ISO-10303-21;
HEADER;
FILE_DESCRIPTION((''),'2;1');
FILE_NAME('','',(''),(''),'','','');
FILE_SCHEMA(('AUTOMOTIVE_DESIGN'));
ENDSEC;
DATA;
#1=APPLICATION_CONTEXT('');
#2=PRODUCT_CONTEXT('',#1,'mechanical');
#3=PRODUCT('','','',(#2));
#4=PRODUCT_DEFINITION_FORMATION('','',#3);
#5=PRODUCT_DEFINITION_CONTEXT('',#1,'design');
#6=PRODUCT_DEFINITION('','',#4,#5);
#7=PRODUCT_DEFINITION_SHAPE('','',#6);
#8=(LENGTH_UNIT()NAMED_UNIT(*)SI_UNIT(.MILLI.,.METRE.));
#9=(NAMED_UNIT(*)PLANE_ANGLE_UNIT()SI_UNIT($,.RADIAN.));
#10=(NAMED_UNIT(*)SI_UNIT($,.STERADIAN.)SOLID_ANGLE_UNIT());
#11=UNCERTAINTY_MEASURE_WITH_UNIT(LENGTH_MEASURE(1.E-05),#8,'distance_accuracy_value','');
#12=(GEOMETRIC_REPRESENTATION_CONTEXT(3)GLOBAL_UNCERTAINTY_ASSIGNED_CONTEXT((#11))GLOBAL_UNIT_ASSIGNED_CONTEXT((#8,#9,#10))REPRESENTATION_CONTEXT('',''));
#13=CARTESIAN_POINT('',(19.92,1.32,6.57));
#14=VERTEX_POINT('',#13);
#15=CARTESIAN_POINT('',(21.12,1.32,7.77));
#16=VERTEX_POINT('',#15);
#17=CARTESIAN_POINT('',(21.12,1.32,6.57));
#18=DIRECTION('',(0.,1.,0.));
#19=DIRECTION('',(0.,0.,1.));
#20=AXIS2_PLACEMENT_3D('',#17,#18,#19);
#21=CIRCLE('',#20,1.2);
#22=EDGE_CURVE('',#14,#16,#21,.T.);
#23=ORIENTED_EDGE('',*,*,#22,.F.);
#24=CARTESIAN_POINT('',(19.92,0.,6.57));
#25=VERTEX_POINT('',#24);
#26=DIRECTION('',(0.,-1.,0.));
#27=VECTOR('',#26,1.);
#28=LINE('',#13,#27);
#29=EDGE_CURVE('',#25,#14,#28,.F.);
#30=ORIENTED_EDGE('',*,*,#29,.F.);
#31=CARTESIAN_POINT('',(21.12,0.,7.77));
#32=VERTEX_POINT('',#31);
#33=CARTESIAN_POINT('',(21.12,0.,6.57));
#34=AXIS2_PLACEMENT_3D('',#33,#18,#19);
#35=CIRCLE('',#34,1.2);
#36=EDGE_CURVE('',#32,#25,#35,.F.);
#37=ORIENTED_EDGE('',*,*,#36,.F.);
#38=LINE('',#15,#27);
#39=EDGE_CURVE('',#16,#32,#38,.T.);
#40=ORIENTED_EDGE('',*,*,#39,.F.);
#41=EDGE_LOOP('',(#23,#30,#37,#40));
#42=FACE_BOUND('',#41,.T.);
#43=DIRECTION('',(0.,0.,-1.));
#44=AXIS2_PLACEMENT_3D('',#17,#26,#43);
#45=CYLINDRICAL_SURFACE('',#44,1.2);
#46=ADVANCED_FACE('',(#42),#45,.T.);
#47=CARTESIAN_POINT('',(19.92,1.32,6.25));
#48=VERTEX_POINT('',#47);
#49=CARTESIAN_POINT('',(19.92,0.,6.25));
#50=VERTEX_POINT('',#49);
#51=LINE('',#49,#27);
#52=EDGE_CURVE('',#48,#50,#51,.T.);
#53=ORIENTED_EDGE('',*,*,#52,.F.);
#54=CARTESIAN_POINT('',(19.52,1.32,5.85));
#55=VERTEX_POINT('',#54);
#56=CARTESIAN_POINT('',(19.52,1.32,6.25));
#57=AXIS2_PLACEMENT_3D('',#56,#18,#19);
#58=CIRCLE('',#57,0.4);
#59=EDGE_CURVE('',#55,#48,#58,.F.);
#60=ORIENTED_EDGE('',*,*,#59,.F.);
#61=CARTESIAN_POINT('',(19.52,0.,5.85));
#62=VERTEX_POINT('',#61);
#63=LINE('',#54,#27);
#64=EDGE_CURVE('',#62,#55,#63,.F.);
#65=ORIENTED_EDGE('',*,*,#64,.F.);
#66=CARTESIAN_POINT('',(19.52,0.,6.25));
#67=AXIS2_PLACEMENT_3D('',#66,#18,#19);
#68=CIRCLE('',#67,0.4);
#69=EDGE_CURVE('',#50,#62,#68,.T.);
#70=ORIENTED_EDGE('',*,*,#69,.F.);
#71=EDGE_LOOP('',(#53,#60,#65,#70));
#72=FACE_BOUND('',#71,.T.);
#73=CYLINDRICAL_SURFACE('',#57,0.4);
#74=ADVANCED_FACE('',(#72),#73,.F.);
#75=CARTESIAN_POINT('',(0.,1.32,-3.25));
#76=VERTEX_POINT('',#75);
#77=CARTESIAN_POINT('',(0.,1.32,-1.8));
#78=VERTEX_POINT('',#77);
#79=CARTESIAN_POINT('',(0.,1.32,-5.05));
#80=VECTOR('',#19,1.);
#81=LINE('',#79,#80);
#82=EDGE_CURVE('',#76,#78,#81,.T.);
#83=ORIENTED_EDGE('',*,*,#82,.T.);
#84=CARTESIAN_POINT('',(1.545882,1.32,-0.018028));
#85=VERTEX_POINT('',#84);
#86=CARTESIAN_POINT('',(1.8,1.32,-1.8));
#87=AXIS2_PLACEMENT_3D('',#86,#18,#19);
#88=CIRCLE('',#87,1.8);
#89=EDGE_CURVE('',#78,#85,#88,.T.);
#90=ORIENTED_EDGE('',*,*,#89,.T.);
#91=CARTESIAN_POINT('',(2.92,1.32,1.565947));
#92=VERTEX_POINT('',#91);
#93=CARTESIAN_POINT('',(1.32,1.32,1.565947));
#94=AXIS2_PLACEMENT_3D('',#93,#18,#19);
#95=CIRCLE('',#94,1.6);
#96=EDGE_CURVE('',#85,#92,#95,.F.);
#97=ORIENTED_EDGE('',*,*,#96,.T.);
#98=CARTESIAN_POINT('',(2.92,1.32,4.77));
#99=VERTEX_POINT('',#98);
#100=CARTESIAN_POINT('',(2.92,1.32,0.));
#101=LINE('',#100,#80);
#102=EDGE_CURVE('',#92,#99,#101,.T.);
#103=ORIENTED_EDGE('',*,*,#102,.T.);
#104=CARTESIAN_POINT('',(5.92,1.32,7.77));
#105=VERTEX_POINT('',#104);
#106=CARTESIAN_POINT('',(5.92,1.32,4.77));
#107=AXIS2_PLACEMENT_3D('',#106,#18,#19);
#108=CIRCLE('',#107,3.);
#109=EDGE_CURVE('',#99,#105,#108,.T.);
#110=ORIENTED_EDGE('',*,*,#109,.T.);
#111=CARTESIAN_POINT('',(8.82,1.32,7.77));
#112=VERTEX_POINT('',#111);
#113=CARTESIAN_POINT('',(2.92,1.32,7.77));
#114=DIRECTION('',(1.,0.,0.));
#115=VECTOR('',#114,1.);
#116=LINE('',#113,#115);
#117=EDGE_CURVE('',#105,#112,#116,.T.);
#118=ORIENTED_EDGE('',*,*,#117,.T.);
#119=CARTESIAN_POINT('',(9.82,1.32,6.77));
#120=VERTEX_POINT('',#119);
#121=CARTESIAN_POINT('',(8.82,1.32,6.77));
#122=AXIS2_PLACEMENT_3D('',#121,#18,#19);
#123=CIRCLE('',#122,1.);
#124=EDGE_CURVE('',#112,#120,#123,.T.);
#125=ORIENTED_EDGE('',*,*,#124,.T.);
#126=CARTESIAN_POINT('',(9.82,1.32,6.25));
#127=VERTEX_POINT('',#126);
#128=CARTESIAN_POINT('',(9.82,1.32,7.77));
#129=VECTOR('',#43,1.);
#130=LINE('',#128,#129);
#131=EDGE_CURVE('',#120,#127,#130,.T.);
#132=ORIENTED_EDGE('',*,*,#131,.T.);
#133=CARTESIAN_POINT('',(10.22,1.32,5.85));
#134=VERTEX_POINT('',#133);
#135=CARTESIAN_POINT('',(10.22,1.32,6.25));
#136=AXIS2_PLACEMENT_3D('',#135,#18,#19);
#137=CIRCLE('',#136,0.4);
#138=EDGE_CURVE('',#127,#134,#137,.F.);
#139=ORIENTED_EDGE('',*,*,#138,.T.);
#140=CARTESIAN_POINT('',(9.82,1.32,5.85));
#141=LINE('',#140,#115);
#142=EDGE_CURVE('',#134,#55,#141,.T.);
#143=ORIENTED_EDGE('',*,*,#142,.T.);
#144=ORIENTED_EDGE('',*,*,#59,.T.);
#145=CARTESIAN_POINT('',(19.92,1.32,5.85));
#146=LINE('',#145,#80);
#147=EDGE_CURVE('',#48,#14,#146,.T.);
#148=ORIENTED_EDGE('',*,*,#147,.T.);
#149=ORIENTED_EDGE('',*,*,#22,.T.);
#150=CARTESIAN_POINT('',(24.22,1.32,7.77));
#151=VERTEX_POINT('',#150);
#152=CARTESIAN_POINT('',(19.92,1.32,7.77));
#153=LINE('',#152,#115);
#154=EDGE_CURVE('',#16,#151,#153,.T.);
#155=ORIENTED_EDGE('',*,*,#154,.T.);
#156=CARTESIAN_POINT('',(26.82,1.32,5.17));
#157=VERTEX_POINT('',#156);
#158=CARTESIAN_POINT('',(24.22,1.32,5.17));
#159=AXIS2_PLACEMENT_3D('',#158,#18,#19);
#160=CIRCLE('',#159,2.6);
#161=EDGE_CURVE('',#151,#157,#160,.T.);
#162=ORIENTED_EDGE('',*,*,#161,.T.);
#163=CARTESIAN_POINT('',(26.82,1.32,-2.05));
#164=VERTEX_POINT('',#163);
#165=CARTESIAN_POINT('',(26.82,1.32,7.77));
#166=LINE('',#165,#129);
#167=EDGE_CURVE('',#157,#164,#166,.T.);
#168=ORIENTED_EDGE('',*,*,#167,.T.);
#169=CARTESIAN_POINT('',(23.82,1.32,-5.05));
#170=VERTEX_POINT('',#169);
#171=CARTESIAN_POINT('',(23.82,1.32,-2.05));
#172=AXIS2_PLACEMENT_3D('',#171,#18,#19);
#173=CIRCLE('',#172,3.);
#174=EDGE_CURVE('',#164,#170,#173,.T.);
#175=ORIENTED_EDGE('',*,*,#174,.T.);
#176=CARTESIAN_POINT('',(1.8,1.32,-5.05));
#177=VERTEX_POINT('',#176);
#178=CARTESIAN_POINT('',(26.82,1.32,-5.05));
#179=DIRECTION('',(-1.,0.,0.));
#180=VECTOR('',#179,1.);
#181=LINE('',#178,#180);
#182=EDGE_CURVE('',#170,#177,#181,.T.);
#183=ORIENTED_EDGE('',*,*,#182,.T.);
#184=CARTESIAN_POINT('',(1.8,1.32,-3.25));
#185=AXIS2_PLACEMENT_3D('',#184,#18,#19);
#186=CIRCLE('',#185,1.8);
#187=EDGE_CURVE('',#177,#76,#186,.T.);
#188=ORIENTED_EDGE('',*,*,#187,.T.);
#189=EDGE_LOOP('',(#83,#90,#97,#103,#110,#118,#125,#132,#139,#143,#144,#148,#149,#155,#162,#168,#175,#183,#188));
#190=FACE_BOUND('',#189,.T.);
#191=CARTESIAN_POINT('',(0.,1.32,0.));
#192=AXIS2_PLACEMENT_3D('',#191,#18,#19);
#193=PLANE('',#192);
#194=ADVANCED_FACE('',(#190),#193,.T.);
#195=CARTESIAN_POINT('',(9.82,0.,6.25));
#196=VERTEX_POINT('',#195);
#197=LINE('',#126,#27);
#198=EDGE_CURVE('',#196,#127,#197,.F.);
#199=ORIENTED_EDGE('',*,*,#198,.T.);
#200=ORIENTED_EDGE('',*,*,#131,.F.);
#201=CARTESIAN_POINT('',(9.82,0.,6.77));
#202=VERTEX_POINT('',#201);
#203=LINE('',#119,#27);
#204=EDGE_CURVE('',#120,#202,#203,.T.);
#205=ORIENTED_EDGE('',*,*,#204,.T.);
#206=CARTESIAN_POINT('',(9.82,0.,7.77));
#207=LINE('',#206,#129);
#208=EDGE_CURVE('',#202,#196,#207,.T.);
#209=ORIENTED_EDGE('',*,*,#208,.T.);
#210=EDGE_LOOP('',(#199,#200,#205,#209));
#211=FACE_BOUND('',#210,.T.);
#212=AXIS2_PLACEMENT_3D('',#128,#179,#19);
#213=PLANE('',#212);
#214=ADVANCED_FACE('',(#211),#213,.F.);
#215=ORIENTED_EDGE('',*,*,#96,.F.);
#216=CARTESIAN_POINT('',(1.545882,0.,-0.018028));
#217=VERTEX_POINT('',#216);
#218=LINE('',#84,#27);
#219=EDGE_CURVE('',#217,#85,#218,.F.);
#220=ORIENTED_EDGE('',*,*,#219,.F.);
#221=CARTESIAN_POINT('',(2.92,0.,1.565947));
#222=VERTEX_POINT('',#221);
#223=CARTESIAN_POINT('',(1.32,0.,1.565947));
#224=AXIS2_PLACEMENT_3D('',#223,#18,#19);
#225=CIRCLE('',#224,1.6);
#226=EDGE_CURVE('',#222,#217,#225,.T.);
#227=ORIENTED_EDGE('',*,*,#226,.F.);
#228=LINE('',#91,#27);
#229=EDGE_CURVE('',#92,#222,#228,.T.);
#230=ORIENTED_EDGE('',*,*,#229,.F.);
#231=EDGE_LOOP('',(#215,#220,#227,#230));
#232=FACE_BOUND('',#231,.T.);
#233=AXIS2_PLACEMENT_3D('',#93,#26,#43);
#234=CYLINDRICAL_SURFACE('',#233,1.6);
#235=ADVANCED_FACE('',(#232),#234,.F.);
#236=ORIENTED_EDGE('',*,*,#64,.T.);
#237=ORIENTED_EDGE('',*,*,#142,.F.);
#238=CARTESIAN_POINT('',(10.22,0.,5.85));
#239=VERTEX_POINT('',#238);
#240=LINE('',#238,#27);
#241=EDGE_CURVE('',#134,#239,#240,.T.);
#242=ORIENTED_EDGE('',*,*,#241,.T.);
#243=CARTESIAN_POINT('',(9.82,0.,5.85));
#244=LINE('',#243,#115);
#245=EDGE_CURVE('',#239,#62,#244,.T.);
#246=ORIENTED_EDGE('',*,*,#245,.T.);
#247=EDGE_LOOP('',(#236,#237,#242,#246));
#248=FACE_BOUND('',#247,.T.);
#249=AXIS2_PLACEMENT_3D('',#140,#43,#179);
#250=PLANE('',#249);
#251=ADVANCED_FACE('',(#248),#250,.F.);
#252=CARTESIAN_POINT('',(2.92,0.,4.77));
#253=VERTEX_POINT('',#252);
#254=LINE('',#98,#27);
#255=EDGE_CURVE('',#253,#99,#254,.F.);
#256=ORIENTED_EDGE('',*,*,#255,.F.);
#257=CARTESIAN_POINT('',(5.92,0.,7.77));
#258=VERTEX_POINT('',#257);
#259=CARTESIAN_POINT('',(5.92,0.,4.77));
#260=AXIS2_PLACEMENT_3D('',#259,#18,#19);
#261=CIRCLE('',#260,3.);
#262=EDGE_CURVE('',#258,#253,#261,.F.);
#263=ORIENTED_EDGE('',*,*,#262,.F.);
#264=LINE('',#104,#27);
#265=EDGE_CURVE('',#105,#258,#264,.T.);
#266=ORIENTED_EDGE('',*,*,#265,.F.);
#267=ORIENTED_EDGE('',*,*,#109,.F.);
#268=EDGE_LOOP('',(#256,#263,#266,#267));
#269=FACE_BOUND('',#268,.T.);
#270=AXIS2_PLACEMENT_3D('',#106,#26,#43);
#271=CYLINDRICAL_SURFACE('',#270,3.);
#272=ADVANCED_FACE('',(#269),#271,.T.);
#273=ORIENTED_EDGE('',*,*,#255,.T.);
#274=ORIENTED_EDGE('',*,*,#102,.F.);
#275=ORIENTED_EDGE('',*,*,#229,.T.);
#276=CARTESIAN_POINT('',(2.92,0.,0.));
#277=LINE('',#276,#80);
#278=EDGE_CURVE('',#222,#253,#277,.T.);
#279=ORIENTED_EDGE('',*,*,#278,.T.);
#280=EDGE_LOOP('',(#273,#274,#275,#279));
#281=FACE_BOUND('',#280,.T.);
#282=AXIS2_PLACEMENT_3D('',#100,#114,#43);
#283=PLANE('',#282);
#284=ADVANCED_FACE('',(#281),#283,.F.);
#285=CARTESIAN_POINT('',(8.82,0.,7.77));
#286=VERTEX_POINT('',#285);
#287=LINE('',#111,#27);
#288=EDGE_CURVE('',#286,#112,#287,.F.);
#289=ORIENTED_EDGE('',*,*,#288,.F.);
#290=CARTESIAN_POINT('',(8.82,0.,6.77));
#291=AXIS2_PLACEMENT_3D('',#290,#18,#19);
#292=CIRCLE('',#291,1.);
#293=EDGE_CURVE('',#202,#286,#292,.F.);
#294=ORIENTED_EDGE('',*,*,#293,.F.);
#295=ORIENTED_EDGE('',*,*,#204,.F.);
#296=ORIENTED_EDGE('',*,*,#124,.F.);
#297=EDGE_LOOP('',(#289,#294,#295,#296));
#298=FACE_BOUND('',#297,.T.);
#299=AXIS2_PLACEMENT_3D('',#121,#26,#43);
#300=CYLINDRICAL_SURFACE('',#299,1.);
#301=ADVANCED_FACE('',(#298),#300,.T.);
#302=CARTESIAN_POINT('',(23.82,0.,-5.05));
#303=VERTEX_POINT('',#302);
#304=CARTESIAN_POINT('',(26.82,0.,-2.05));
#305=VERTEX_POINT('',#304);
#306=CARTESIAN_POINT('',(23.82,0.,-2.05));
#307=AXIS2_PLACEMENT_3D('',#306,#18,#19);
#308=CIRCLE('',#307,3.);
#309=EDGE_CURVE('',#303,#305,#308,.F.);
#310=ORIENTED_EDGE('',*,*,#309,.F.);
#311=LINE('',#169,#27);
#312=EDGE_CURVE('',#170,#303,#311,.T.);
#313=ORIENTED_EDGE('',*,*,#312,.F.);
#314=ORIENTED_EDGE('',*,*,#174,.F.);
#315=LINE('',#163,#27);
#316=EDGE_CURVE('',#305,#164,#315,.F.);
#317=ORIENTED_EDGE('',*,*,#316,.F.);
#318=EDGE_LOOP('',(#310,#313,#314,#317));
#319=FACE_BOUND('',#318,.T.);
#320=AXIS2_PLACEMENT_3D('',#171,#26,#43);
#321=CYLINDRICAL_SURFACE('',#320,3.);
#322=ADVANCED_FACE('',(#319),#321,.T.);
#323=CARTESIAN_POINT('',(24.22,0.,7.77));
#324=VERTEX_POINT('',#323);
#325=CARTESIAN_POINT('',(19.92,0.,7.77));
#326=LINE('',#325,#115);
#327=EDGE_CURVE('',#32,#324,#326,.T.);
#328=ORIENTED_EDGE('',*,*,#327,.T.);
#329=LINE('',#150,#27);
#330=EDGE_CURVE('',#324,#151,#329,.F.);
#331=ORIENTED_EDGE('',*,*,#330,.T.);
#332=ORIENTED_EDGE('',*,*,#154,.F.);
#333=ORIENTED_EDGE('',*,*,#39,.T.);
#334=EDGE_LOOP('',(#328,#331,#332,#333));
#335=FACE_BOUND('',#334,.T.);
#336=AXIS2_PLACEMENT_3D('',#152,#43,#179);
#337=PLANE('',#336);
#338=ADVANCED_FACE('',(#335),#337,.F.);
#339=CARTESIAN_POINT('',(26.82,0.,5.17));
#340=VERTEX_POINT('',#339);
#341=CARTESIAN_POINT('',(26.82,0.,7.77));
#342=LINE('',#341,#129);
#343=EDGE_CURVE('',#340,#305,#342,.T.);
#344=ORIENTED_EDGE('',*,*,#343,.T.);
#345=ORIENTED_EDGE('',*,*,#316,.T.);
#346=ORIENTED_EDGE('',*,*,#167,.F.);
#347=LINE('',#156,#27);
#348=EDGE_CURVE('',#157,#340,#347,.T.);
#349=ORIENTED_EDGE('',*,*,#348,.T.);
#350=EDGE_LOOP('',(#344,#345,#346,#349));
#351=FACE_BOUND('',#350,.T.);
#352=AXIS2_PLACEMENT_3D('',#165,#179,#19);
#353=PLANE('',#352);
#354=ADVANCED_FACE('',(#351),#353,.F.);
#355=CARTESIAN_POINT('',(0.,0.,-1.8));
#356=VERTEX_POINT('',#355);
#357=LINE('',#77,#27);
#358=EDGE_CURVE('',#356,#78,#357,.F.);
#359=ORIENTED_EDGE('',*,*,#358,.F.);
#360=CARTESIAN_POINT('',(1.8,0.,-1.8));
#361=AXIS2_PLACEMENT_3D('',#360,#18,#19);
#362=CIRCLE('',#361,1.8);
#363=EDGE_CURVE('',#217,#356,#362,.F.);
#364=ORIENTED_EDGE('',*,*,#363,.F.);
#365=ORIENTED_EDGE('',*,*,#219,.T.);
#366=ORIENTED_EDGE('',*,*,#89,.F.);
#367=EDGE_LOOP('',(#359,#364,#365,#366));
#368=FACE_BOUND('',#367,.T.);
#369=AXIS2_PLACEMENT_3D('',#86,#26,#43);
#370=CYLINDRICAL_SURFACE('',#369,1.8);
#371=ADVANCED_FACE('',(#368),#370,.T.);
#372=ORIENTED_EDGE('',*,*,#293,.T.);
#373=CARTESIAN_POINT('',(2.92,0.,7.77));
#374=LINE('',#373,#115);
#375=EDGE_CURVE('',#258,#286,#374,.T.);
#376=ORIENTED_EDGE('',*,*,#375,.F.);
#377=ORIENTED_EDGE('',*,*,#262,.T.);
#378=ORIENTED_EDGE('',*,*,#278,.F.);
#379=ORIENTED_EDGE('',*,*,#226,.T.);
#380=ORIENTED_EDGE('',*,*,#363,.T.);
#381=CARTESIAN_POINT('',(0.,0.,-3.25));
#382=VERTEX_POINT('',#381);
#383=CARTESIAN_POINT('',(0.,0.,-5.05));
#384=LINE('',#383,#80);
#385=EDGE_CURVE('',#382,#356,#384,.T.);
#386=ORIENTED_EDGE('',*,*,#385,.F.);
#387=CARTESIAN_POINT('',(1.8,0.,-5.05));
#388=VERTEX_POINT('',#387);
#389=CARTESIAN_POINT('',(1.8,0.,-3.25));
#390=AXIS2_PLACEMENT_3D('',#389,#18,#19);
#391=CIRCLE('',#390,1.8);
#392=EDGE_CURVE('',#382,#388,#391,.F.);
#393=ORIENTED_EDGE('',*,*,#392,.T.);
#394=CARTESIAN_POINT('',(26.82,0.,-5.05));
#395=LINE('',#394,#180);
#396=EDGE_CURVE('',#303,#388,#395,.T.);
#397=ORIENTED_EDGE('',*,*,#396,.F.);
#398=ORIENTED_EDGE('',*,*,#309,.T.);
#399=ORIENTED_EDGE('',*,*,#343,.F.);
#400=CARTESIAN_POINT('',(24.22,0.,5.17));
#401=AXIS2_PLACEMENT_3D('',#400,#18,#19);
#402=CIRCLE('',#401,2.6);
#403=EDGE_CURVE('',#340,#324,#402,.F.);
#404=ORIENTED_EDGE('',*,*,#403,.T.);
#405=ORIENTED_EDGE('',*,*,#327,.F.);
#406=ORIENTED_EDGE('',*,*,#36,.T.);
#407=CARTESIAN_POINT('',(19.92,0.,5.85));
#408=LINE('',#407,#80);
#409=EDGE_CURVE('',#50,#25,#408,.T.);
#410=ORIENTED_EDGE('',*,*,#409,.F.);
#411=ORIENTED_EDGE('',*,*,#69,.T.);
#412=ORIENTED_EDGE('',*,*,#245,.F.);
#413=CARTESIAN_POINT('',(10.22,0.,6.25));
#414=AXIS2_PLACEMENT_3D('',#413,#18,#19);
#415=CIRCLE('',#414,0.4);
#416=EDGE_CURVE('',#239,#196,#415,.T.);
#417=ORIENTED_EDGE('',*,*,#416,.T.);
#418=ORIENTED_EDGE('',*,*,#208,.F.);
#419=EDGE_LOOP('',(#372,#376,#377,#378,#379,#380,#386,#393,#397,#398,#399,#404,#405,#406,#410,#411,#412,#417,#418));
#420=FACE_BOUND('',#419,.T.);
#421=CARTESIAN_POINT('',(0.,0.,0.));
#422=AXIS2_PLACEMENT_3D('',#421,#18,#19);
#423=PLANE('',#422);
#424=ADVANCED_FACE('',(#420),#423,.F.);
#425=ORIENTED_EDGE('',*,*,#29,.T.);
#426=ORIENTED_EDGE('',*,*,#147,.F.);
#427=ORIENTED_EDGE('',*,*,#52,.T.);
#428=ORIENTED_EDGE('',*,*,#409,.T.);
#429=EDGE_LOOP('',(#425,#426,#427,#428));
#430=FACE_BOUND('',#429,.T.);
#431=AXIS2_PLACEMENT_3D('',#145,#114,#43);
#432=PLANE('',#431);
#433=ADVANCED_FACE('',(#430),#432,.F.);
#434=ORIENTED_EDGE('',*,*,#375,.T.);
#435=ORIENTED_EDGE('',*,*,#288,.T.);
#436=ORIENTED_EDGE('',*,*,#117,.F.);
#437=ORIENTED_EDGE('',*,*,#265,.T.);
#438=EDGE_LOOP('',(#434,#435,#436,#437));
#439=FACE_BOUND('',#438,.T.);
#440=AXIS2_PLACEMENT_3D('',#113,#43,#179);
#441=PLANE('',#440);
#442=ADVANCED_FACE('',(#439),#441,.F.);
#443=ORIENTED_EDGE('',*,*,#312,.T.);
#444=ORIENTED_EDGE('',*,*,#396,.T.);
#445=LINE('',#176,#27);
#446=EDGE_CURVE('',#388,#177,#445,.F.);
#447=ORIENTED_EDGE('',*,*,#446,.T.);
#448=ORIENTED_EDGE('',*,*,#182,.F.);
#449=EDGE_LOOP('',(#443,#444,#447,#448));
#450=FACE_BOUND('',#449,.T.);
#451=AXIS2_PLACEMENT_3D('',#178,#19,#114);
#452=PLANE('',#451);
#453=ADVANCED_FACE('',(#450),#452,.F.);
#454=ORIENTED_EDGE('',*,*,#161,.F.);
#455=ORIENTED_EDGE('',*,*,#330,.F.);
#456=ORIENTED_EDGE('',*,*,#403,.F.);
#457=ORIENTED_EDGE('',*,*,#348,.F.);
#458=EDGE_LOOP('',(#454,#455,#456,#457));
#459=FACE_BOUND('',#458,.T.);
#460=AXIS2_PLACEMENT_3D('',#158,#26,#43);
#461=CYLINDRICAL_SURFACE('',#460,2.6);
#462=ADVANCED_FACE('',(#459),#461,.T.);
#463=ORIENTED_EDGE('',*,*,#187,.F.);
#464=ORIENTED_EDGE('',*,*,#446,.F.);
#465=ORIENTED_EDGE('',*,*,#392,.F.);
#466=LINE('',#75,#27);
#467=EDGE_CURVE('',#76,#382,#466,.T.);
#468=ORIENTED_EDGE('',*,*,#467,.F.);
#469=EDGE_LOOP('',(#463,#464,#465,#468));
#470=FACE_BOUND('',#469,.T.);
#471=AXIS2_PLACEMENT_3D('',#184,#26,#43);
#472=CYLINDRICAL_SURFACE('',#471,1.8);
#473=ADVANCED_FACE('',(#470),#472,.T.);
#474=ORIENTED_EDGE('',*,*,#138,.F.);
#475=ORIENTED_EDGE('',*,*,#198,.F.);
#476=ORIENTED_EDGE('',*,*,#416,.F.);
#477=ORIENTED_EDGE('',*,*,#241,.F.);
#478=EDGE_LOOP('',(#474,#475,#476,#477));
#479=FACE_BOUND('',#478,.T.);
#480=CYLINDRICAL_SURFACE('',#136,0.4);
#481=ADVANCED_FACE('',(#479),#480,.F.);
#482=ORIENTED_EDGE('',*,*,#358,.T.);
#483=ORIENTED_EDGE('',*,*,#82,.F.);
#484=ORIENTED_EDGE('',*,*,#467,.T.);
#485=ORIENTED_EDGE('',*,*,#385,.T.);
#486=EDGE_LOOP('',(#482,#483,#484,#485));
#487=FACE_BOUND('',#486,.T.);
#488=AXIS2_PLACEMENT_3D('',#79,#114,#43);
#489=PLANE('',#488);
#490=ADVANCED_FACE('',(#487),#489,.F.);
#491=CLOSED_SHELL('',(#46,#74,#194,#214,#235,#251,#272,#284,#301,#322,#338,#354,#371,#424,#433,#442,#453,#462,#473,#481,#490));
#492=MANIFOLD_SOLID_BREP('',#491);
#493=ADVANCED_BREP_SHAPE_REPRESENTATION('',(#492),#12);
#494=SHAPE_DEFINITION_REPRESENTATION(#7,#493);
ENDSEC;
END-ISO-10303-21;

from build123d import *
from OCP.BRepFilletAPI import BRepFilletAPI_MakeFillet

# Parameters (mm, degrees)
BOSS_EXTRUDE1_DEPTH = 1.32
FILLET1_R           = 3
FILLET2_R           = 2.6
FILLET3_R1          = 1.2
FILLET3_R2          = 1
FILLET4_R           = 0.4
FILLET5_R           = 1.8
FILLET6_R           = 1.6


with BuildPart() as part:
    # Sketch1 → Boss-Extrude1 (new body)
    with BuildSketch(Plane(origin=(0, 0, 0), x_dir=(1, 0, 0), z_dir=(0, 1, 0))):
        Polygon((0, 0), (2.92, 0), (2.92, -7.77), (9.82, -7.77), (9.82, -5.85), (19.92, -5.85), (19.92, -7.77), (26.82, -7.77), (26.82, 5.05), (0, 5.05), align=None)
    extrude(amount=BOSS_EXTRUDE1_DEPTH)

    # Fillet1
    fillet1_edges = [part.edges().sort_by_distance(p)[0] for p in [
        (26.82, 0.66, -5.05),
        (2.92, 0.66, 7.77),
    ]]
    fillet(fillet1_edges, radius=FILLET1_R)

    # Fillet2
    fillet2_edges = [part.edges().sort_by_distance(p)[0] for p in [
        (26.82, 0.66, 7.77),
    ]]
    fillet(fillet2_edges, radius=FILLET2_R)

    # Fillet3: one fillet with a radius per group of edges: ONE call of the kernel's fillet builder (fillet() takes one radius for all edges)
    fillet3_edges_1 = [part.edges().sort_by_distance(p)[0] for p in [
        (19.92, 0.66, 7.77),
    ]]
    fillet3_edges_2 = [part.edges().sort_by_distance(p)[0] for p in [
        (9.82, 0.66, 7.77),
    ]]
    fillet3 = BRepFilletAPI_MakeFillet(part.part.solid().wrapped)
    for e in fillet3_edges_1:
        fillet3.Add(FILLET3_R1, e.wrapped)
    for e in fillet3_edges_2:
        fillet3.Add(FILLET3_R2, e.wrapped)
    add(Compound.cast(fillet3.Shape()), mode=Mode.REPLACE)

    # Fillet4
    fillet4_edges = [part.edges().sort_by_distance(p)[0] for p in [
        (19.92, 0.66, 5.85),
        (9.82, 0.66, 5.85),
    ]]
    fillet(fillet4_edges, radius=FILLET4_R)

    # Fillet5
    fillet5_edges = [part.edges().sort_by_distance(p)[0] for p in [
        (0, 0.66, -5.05),
        (0, 0.66, 0),
    ]]
    fillet(fillet5_edges, radius=FILLET5_R)

    # Fillet6
    fillet6_edges = [part.edges().sort_by_distance(p)[0] for p in [
        (2.92, 0.66, 0),
    ]]
    fillet(fillet6_edges, radius=FILLET6_R)


solid = part.part
